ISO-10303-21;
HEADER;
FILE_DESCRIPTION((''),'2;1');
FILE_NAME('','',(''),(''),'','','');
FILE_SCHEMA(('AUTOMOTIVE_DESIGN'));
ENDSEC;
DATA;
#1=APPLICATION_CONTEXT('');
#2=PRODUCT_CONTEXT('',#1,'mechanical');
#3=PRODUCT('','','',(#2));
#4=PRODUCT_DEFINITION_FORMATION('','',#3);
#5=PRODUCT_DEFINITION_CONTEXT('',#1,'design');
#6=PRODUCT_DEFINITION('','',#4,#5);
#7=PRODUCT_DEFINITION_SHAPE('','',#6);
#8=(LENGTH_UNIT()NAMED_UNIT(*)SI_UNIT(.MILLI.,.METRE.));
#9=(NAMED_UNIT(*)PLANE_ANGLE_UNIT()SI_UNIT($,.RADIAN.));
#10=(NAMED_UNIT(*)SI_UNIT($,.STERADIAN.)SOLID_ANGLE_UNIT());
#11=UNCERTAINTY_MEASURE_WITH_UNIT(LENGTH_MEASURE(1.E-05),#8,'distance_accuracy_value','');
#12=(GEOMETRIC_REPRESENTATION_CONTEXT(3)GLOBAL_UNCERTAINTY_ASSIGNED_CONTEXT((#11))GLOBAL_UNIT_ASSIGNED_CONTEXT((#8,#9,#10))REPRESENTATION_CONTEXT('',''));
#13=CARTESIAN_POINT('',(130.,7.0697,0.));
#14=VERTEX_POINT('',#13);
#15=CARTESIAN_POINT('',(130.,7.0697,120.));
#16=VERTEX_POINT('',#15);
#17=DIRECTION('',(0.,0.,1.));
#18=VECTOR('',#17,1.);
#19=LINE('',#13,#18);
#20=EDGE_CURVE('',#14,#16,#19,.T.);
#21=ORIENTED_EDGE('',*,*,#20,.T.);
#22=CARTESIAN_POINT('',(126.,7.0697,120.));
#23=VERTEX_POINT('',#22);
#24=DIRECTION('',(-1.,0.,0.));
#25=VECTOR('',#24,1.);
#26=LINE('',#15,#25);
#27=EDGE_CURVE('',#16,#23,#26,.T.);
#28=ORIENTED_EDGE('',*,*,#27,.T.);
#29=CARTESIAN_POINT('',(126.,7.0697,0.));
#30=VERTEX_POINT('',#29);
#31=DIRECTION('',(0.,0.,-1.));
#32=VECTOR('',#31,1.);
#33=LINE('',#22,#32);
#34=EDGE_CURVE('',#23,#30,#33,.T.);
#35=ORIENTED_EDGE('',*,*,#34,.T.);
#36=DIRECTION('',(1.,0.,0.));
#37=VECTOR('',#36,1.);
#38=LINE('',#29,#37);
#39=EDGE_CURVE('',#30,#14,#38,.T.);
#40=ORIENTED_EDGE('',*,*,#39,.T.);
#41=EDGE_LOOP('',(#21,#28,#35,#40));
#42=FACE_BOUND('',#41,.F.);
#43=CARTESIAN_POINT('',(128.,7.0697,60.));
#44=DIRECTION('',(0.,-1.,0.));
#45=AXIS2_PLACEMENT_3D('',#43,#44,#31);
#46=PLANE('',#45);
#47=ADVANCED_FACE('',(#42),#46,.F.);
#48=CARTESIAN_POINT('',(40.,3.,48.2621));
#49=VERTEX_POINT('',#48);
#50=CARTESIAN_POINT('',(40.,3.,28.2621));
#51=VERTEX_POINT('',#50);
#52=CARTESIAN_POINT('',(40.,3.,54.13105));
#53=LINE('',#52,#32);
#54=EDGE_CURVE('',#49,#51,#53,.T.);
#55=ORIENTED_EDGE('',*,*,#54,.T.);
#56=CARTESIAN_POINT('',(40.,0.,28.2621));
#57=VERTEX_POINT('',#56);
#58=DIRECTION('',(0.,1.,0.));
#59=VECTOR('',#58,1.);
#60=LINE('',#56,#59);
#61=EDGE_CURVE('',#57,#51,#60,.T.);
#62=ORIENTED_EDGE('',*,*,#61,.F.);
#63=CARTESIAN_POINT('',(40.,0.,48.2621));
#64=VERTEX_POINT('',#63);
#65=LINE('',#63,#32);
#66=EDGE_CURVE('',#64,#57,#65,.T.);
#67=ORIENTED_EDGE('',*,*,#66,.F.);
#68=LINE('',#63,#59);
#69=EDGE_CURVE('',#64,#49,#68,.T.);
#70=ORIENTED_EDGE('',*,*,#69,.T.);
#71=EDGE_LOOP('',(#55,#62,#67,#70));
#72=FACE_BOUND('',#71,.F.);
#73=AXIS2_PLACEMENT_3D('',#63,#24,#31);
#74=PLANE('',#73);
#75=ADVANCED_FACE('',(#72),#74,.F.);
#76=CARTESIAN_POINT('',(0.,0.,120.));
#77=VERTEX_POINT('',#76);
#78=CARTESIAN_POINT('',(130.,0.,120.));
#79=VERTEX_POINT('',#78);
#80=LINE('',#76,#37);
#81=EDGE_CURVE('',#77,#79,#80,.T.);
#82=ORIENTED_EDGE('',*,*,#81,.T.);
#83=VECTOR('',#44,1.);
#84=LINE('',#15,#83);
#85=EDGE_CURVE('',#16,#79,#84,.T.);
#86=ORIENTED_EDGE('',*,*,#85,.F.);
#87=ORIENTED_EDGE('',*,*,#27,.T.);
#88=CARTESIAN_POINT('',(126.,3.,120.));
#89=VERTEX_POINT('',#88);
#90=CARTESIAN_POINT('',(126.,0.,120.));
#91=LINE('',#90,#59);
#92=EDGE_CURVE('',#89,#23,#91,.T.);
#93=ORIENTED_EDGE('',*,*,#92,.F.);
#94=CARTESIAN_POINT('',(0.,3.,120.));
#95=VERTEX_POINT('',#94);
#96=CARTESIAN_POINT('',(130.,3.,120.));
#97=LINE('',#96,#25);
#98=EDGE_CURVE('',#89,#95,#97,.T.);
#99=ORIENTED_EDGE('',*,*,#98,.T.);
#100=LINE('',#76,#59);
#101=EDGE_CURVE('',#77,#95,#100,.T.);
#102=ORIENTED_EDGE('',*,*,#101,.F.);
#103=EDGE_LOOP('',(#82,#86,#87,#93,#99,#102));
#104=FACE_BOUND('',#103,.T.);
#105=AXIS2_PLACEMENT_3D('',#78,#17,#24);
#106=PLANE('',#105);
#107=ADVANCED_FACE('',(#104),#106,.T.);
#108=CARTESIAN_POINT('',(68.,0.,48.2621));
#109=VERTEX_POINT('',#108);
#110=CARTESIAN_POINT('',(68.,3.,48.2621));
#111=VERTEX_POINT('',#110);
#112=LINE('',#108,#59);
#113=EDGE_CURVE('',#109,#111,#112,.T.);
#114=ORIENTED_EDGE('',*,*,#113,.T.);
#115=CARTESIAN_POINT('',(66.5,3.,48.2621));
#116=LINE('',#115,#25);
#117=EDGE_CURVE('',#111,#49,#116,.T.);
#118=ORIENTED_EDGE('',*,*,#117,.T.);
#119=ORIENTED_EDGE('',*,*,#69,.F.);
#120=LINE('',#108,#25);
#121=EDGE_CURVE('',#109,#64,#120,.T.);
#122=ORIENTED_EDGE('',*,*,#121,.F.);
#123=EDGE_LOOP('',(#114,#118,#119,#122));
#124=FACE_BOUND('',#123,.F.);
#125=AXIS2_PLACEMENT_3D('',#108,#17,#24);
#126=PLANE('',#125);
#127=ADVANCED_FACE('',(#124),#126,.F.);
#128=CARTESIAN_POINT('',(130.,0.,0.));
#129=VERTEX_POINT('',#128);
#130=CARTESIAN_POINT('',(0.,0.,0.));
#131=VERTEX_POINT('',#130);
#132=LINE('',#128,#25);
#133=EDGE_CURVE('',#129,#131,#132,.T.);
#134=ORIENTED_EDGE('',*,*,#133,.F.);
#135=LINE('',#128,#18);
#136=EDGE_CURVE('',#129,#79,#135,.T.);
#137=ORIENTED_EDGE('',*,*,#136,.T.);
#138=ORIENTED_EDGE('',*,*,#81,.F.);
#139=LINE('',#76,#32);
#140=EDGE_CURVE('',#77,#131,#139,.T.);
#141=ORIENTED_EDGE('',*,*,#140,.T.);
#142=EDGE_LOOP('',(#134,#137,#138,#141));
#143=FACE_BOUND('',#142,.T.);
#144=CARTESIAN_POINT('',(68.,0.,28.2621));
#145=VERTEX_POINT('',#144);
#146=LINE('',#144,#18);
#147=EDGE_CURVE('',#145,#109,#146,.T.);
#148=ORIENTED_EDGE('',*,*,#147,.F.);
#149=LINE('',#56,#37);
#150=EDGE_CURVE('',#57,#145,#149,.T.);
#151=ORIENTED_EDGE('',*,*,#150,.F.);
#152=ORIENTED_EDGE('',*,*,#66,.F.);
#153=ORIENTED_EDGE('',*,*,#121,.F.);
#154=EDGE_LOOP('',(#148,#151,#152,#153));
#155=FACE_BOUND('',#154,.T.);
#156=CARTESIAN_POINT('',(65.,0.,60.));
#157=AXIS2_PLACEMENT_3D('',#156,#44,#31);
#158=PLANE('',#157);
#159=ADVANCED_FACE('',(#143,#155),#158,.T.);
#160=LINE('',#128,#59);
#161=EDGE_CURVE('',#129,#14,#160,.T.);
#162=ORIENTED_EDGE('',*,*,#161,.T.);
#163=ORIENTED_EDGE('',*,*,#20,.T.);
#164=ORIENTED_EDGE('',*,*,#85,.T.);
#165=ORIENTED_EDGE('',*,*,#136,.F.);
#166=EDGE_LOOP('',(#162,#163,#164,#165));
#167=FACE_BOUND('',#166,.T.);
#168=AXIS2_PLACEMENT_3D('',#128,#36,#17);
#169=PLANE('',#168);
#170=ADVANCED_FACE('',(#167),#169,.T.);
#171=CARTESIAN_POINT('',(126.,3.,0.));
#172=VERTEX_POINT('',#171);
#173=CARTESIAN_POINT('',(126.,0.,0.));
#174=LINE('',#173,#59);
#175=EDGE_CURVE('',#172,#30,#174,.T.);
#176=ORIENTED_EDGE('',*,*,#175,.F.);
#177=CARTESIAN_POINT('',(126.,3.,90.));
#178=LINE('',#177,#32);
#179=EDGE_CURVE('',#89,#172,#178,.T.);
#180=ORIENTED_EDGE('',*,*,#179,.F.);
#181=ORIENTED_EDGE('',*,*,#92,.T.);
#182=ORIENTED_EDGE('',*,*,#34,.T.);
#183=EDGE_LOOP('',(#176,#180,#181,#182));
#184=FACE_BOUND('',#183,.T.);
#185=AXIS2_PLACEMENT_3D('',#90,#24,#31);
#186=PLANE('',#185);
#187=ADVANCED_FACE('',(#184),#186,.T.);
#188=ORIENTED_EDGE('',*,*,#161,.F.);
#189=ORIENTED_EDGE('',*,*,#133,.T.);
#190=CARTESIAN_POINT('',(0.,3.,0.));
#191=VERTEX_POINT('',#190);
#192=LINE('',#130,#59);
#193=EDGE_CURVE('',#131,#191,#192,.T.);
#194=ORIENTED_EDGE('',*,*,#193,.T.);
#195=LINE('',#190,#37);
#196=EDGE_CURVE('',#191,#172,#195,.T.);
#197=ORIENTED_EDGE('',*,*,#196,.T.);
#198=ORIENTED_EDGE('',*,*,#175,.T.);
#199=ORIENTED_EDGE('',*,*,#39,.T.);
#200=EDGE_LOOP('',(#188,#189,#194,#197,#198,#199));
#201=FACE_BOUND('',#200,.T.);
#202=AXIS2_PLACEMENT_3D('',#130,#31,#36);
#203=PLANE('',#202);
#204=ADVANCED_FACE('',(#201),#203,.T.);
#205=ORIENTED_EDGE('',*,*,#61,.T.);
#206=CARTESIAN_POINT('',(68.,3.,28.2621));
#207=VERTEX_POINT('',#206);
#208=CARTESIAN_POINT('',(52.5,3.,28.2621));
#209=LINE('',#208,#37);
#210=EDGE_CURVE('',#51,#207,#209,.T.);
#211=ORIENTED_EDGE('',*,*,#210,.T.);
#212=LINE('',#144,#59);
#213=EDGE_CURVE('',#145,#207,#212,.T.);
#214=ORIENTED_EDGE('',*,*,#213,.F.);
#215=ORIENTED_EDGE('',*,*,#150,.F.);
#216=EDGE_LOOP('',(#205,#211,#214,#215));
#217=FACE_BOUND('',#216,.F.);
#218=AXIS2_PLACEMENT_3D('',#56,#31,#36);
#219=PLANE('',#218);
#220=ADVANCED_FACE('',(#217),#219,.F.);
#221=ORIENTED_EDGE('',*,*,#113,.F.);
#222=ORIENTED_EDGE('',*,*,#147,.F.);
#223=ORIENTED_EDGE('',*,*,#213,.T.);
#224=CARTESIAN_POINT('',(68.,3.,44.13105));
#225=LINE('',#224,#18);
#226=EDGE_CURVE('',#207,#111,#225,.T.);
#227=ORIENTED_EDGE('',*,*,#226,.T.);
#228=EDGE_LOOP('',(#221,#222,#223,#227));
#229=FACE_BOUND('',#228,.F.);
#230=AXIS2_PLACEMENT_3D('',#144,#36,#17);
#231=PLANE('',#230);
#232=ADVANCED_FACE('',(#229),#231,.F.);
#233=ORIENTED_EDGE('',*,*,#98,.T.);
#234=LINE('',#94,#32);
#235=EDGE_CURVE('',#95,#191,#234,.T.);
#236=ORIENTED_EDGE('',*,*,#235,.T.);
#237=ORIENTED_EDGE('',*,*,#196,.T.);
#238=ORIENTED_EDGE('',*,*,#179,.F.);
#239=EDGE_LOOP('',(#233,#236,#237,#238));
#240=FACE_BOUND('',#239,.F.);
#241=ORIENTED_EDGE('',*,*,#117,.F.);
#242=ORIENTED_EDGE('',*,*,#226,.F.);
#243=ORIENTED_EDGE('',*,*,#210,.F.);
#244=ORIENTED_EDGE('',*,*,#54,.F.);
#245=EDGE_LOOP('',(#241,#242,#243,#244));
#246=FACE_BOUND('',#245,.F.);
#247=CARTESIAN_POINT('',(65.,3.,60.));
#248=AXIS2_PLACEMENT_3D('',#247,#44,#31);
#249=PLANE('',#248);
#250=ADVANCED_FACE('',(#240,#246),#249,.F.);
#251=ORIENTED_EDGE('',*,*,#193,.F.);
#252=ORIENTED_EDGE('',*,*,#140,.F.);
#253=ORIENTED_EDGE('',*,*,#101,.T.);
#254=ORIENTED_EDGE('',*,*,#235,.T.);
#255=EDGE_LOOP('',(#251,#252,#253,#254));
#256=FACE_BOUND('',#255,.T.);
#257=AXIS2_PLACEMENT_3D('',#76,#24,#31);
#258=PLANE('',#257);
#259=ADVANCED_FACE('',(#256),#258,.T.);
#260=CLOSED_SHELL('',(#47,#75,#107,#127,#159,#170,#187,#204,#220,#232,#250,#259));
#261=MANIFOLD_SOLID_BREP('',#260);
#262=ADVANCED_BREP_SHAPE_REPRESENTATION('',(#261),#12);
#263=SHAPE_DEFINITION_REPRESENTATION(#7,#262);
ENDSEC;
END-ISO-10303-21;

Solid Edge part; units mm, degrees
sketch "Sketch1" plane through (0, 0, 0) normal (0, -1, 0) x (1, 0, 0)
  line L0 (130, 0) -> (130, 120)
  line L1 (130, 120) -> (0, 120)
  line L2 (0, 120) -> (0, 0)
  line L3 (0, 0) -> (130, 0)
extrude "Protrusion1" add sketch "Sketch1" against normal blind 3
sketch "Sketch2" plane through (66.405, 0, 60) normal (0, -1, 0) x (1, 0, 0)
  line L0 (59.595, 60) -> (59.595, -60)
  line L1 (59.595, -60) -> (63.595, -60)
  line L2 (63.595, -60) -> (63.595, 60)
  line L3 (63.595, 60) -> (59.595, 60)
extrude "Protrusão_Extrudada_2" add sketch "Sketch2" against normal blind 7.0697
sketch "Sketch3" plane through (66.405, 0, 60) normal (0, -1, 0) x (1, 0, 0)
  line L0 (1.595, -11.7379) -> (-26.405, -11.7379)
  line L1 (-26.405, -11.7379) -> (-26.405, -31.7379)
  line L2 (-26.405, -31.7379) -> (1.595, -31.7379)
  line L3 (1.595, -31.7379) -> (1.595, -11.7379)
extrude "Recorte_Extrudado_2" cut sketch "Sketch3" against normal blind 60.6919
